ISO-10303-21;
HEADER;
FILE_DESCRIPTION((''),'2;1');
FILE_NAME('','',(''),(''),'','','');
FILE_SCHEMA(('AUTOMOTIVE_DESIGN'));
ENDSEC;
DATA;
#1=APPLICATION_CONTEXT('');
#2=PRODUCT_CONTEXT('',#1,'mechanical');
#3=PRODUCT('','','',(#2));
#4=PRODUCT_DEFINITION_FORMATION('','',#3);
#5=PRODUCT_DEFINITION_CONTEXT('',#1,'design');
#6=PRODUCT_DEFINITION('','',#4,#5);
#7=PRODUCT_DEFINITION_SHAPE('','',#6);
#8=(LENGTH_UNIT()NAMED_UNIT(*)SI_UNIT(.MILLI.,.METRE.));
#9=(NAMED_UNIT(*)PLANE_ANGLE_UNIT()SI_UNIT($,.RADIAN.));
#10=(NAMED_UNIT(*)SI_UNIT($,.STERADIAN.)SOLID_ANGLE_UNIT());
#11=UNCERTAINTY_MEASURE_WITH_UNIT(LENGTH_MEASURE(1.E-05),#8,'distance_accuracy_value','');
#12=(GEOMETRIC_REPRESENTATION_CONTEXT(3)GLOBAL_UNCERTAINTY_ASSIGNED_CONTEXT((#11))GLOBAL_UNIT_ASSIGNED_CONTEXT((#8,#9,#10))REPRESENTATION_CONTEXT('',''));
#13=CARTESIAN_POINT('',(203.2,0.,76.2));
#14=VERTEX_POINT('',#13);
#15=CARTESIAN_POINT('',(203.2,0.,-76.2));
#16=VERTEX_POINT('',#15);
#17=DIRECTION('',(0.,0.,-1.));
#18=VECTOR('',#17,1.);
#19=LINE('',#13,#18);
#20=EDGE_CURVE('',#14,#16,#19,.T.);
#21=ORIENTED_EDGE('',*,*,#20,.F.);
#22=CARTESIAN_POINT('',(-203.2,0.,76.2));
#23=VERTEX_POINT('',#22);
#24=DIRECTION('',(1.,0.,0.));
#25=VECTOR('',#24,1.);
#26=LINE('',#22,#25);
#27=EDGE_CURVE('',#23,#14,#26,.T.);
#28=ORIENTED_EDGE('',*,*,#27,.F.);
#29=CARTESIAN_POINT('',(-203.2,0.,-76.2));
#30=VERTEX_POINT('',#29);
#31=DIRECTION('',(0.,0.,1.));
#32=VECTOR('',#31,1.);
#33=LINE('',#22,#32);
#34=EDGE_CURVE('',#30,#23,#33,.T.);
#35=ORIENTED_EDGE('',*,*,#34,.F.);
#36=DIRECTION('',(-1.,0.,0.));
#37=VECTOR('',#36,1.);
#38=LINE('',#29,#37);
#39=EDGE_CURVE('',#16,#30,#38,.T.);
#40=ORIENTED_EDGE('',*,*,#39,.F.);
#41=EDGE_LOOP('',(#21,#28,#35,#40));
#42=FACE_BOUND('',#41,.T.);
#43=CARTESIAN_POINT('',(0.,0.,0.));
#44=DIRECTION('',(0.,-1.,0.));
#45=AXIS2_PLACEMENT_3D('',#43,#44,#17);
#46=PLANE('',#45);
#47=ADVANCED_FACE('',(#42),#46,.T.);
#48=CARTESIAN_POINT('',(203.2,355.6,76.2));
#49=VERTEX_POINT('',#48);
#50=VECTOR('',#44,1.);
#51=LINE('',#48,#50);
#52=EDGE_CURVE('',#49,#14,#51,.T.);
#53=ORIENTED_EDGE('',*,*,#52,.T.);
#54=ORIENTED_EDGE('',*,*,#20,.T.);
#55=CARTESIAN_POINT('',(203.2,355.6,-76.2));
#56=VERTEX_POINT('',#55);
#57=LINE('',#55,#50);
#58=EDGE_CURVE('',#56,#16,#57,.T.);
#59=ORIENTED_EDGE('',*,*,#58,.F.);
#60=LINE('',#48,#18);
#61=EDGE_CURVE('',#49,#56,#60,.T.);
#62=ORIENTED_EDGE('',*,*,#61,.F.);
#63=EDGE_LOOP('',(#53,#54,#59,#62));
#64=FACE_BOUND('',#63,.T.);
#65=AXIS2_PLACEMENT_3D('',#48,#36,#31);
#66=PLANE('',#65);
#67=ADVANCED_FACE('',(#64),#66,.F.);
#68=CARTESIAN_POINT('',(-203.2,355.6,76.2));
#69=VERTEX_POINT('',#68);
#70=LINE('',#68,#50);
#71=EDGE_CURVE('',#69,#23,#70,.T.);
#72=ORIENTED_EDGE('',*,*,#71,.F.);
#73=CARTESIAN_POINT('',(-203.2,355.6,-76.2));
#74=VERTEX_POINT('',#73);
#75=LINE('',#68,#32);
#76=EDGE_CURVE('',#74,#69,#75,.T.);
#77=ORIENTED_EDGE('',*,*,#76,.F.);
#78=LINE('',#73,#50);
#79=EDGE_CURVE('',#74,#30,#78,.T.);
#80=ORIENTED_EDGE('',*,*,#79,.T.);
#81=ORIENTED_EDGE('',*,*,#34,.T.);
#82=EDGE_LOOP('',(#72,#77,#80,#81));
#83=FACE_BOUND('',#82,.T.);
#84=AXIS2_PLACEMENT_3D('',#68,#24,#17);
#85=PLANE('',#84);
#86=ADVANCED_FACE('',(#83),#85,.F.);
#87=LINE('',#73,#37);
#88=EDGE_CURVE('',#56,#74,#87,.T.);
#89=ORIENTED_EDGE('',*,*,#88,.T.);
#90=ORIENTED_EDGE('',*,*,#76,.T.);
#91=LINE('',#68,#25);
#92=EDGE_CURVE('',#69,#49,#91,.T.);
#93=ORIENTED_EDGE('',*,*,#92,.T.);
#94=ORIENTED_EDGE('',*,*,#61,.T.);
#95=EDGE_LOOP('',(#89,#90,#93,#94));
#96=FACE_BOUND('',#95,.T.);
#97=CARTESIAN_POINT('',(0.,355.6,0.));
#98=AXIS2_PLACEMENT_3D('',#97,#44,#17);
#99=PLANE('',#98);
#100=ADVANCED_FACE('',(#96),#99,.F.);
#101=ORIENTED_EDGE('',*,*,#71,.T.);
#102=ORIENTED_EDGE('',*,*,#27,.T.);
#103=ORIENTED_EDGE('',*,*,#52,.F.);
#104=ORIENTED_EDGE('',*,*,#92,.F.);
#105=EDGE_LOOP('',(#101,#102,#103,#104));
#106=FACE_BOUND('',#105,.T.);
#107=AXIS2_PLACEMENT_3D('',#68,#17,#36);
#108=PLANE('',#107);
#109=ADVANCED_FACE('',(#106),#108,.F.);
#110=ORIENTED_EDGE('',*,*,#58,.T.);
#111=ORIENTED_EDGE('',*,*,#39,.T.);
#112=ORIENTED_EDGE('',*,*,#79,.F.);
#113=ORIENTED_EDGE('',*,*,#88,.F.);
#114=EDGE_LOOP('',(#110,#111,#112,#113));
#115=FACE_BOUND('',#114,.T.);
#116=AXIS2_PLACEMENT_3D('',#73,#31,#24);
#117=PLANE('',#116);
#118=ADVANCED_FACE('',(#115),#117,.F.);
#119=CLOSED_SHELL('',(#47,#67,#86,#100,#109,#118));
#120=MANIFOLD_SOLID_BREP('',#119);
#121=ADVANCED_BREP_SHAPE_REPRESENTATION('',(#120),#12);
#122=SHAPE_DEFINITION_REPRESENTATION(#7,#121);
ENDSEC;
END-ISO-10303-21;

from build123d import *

# Parameters (mm, degrees)
SKETCH1_W           = 406.4
SKETCH1_H           = 152.4
BOSS_EXTRUDE1_DEPTH = 355.6


with BuildPart() as part:
    # Sketch1 → Boss-Extrude1 (new body)
    with BuildSketch(Plane(origin=(0, 0, 0), x_dir=(1, 0, 0), z_dir=(0, 1, 0))):
        Rectangle(SKETCH1_W, SKETCH1_H)
    extrude(amount=BOSS_EXTRUDE1_DEPTH)


solid = part.part
